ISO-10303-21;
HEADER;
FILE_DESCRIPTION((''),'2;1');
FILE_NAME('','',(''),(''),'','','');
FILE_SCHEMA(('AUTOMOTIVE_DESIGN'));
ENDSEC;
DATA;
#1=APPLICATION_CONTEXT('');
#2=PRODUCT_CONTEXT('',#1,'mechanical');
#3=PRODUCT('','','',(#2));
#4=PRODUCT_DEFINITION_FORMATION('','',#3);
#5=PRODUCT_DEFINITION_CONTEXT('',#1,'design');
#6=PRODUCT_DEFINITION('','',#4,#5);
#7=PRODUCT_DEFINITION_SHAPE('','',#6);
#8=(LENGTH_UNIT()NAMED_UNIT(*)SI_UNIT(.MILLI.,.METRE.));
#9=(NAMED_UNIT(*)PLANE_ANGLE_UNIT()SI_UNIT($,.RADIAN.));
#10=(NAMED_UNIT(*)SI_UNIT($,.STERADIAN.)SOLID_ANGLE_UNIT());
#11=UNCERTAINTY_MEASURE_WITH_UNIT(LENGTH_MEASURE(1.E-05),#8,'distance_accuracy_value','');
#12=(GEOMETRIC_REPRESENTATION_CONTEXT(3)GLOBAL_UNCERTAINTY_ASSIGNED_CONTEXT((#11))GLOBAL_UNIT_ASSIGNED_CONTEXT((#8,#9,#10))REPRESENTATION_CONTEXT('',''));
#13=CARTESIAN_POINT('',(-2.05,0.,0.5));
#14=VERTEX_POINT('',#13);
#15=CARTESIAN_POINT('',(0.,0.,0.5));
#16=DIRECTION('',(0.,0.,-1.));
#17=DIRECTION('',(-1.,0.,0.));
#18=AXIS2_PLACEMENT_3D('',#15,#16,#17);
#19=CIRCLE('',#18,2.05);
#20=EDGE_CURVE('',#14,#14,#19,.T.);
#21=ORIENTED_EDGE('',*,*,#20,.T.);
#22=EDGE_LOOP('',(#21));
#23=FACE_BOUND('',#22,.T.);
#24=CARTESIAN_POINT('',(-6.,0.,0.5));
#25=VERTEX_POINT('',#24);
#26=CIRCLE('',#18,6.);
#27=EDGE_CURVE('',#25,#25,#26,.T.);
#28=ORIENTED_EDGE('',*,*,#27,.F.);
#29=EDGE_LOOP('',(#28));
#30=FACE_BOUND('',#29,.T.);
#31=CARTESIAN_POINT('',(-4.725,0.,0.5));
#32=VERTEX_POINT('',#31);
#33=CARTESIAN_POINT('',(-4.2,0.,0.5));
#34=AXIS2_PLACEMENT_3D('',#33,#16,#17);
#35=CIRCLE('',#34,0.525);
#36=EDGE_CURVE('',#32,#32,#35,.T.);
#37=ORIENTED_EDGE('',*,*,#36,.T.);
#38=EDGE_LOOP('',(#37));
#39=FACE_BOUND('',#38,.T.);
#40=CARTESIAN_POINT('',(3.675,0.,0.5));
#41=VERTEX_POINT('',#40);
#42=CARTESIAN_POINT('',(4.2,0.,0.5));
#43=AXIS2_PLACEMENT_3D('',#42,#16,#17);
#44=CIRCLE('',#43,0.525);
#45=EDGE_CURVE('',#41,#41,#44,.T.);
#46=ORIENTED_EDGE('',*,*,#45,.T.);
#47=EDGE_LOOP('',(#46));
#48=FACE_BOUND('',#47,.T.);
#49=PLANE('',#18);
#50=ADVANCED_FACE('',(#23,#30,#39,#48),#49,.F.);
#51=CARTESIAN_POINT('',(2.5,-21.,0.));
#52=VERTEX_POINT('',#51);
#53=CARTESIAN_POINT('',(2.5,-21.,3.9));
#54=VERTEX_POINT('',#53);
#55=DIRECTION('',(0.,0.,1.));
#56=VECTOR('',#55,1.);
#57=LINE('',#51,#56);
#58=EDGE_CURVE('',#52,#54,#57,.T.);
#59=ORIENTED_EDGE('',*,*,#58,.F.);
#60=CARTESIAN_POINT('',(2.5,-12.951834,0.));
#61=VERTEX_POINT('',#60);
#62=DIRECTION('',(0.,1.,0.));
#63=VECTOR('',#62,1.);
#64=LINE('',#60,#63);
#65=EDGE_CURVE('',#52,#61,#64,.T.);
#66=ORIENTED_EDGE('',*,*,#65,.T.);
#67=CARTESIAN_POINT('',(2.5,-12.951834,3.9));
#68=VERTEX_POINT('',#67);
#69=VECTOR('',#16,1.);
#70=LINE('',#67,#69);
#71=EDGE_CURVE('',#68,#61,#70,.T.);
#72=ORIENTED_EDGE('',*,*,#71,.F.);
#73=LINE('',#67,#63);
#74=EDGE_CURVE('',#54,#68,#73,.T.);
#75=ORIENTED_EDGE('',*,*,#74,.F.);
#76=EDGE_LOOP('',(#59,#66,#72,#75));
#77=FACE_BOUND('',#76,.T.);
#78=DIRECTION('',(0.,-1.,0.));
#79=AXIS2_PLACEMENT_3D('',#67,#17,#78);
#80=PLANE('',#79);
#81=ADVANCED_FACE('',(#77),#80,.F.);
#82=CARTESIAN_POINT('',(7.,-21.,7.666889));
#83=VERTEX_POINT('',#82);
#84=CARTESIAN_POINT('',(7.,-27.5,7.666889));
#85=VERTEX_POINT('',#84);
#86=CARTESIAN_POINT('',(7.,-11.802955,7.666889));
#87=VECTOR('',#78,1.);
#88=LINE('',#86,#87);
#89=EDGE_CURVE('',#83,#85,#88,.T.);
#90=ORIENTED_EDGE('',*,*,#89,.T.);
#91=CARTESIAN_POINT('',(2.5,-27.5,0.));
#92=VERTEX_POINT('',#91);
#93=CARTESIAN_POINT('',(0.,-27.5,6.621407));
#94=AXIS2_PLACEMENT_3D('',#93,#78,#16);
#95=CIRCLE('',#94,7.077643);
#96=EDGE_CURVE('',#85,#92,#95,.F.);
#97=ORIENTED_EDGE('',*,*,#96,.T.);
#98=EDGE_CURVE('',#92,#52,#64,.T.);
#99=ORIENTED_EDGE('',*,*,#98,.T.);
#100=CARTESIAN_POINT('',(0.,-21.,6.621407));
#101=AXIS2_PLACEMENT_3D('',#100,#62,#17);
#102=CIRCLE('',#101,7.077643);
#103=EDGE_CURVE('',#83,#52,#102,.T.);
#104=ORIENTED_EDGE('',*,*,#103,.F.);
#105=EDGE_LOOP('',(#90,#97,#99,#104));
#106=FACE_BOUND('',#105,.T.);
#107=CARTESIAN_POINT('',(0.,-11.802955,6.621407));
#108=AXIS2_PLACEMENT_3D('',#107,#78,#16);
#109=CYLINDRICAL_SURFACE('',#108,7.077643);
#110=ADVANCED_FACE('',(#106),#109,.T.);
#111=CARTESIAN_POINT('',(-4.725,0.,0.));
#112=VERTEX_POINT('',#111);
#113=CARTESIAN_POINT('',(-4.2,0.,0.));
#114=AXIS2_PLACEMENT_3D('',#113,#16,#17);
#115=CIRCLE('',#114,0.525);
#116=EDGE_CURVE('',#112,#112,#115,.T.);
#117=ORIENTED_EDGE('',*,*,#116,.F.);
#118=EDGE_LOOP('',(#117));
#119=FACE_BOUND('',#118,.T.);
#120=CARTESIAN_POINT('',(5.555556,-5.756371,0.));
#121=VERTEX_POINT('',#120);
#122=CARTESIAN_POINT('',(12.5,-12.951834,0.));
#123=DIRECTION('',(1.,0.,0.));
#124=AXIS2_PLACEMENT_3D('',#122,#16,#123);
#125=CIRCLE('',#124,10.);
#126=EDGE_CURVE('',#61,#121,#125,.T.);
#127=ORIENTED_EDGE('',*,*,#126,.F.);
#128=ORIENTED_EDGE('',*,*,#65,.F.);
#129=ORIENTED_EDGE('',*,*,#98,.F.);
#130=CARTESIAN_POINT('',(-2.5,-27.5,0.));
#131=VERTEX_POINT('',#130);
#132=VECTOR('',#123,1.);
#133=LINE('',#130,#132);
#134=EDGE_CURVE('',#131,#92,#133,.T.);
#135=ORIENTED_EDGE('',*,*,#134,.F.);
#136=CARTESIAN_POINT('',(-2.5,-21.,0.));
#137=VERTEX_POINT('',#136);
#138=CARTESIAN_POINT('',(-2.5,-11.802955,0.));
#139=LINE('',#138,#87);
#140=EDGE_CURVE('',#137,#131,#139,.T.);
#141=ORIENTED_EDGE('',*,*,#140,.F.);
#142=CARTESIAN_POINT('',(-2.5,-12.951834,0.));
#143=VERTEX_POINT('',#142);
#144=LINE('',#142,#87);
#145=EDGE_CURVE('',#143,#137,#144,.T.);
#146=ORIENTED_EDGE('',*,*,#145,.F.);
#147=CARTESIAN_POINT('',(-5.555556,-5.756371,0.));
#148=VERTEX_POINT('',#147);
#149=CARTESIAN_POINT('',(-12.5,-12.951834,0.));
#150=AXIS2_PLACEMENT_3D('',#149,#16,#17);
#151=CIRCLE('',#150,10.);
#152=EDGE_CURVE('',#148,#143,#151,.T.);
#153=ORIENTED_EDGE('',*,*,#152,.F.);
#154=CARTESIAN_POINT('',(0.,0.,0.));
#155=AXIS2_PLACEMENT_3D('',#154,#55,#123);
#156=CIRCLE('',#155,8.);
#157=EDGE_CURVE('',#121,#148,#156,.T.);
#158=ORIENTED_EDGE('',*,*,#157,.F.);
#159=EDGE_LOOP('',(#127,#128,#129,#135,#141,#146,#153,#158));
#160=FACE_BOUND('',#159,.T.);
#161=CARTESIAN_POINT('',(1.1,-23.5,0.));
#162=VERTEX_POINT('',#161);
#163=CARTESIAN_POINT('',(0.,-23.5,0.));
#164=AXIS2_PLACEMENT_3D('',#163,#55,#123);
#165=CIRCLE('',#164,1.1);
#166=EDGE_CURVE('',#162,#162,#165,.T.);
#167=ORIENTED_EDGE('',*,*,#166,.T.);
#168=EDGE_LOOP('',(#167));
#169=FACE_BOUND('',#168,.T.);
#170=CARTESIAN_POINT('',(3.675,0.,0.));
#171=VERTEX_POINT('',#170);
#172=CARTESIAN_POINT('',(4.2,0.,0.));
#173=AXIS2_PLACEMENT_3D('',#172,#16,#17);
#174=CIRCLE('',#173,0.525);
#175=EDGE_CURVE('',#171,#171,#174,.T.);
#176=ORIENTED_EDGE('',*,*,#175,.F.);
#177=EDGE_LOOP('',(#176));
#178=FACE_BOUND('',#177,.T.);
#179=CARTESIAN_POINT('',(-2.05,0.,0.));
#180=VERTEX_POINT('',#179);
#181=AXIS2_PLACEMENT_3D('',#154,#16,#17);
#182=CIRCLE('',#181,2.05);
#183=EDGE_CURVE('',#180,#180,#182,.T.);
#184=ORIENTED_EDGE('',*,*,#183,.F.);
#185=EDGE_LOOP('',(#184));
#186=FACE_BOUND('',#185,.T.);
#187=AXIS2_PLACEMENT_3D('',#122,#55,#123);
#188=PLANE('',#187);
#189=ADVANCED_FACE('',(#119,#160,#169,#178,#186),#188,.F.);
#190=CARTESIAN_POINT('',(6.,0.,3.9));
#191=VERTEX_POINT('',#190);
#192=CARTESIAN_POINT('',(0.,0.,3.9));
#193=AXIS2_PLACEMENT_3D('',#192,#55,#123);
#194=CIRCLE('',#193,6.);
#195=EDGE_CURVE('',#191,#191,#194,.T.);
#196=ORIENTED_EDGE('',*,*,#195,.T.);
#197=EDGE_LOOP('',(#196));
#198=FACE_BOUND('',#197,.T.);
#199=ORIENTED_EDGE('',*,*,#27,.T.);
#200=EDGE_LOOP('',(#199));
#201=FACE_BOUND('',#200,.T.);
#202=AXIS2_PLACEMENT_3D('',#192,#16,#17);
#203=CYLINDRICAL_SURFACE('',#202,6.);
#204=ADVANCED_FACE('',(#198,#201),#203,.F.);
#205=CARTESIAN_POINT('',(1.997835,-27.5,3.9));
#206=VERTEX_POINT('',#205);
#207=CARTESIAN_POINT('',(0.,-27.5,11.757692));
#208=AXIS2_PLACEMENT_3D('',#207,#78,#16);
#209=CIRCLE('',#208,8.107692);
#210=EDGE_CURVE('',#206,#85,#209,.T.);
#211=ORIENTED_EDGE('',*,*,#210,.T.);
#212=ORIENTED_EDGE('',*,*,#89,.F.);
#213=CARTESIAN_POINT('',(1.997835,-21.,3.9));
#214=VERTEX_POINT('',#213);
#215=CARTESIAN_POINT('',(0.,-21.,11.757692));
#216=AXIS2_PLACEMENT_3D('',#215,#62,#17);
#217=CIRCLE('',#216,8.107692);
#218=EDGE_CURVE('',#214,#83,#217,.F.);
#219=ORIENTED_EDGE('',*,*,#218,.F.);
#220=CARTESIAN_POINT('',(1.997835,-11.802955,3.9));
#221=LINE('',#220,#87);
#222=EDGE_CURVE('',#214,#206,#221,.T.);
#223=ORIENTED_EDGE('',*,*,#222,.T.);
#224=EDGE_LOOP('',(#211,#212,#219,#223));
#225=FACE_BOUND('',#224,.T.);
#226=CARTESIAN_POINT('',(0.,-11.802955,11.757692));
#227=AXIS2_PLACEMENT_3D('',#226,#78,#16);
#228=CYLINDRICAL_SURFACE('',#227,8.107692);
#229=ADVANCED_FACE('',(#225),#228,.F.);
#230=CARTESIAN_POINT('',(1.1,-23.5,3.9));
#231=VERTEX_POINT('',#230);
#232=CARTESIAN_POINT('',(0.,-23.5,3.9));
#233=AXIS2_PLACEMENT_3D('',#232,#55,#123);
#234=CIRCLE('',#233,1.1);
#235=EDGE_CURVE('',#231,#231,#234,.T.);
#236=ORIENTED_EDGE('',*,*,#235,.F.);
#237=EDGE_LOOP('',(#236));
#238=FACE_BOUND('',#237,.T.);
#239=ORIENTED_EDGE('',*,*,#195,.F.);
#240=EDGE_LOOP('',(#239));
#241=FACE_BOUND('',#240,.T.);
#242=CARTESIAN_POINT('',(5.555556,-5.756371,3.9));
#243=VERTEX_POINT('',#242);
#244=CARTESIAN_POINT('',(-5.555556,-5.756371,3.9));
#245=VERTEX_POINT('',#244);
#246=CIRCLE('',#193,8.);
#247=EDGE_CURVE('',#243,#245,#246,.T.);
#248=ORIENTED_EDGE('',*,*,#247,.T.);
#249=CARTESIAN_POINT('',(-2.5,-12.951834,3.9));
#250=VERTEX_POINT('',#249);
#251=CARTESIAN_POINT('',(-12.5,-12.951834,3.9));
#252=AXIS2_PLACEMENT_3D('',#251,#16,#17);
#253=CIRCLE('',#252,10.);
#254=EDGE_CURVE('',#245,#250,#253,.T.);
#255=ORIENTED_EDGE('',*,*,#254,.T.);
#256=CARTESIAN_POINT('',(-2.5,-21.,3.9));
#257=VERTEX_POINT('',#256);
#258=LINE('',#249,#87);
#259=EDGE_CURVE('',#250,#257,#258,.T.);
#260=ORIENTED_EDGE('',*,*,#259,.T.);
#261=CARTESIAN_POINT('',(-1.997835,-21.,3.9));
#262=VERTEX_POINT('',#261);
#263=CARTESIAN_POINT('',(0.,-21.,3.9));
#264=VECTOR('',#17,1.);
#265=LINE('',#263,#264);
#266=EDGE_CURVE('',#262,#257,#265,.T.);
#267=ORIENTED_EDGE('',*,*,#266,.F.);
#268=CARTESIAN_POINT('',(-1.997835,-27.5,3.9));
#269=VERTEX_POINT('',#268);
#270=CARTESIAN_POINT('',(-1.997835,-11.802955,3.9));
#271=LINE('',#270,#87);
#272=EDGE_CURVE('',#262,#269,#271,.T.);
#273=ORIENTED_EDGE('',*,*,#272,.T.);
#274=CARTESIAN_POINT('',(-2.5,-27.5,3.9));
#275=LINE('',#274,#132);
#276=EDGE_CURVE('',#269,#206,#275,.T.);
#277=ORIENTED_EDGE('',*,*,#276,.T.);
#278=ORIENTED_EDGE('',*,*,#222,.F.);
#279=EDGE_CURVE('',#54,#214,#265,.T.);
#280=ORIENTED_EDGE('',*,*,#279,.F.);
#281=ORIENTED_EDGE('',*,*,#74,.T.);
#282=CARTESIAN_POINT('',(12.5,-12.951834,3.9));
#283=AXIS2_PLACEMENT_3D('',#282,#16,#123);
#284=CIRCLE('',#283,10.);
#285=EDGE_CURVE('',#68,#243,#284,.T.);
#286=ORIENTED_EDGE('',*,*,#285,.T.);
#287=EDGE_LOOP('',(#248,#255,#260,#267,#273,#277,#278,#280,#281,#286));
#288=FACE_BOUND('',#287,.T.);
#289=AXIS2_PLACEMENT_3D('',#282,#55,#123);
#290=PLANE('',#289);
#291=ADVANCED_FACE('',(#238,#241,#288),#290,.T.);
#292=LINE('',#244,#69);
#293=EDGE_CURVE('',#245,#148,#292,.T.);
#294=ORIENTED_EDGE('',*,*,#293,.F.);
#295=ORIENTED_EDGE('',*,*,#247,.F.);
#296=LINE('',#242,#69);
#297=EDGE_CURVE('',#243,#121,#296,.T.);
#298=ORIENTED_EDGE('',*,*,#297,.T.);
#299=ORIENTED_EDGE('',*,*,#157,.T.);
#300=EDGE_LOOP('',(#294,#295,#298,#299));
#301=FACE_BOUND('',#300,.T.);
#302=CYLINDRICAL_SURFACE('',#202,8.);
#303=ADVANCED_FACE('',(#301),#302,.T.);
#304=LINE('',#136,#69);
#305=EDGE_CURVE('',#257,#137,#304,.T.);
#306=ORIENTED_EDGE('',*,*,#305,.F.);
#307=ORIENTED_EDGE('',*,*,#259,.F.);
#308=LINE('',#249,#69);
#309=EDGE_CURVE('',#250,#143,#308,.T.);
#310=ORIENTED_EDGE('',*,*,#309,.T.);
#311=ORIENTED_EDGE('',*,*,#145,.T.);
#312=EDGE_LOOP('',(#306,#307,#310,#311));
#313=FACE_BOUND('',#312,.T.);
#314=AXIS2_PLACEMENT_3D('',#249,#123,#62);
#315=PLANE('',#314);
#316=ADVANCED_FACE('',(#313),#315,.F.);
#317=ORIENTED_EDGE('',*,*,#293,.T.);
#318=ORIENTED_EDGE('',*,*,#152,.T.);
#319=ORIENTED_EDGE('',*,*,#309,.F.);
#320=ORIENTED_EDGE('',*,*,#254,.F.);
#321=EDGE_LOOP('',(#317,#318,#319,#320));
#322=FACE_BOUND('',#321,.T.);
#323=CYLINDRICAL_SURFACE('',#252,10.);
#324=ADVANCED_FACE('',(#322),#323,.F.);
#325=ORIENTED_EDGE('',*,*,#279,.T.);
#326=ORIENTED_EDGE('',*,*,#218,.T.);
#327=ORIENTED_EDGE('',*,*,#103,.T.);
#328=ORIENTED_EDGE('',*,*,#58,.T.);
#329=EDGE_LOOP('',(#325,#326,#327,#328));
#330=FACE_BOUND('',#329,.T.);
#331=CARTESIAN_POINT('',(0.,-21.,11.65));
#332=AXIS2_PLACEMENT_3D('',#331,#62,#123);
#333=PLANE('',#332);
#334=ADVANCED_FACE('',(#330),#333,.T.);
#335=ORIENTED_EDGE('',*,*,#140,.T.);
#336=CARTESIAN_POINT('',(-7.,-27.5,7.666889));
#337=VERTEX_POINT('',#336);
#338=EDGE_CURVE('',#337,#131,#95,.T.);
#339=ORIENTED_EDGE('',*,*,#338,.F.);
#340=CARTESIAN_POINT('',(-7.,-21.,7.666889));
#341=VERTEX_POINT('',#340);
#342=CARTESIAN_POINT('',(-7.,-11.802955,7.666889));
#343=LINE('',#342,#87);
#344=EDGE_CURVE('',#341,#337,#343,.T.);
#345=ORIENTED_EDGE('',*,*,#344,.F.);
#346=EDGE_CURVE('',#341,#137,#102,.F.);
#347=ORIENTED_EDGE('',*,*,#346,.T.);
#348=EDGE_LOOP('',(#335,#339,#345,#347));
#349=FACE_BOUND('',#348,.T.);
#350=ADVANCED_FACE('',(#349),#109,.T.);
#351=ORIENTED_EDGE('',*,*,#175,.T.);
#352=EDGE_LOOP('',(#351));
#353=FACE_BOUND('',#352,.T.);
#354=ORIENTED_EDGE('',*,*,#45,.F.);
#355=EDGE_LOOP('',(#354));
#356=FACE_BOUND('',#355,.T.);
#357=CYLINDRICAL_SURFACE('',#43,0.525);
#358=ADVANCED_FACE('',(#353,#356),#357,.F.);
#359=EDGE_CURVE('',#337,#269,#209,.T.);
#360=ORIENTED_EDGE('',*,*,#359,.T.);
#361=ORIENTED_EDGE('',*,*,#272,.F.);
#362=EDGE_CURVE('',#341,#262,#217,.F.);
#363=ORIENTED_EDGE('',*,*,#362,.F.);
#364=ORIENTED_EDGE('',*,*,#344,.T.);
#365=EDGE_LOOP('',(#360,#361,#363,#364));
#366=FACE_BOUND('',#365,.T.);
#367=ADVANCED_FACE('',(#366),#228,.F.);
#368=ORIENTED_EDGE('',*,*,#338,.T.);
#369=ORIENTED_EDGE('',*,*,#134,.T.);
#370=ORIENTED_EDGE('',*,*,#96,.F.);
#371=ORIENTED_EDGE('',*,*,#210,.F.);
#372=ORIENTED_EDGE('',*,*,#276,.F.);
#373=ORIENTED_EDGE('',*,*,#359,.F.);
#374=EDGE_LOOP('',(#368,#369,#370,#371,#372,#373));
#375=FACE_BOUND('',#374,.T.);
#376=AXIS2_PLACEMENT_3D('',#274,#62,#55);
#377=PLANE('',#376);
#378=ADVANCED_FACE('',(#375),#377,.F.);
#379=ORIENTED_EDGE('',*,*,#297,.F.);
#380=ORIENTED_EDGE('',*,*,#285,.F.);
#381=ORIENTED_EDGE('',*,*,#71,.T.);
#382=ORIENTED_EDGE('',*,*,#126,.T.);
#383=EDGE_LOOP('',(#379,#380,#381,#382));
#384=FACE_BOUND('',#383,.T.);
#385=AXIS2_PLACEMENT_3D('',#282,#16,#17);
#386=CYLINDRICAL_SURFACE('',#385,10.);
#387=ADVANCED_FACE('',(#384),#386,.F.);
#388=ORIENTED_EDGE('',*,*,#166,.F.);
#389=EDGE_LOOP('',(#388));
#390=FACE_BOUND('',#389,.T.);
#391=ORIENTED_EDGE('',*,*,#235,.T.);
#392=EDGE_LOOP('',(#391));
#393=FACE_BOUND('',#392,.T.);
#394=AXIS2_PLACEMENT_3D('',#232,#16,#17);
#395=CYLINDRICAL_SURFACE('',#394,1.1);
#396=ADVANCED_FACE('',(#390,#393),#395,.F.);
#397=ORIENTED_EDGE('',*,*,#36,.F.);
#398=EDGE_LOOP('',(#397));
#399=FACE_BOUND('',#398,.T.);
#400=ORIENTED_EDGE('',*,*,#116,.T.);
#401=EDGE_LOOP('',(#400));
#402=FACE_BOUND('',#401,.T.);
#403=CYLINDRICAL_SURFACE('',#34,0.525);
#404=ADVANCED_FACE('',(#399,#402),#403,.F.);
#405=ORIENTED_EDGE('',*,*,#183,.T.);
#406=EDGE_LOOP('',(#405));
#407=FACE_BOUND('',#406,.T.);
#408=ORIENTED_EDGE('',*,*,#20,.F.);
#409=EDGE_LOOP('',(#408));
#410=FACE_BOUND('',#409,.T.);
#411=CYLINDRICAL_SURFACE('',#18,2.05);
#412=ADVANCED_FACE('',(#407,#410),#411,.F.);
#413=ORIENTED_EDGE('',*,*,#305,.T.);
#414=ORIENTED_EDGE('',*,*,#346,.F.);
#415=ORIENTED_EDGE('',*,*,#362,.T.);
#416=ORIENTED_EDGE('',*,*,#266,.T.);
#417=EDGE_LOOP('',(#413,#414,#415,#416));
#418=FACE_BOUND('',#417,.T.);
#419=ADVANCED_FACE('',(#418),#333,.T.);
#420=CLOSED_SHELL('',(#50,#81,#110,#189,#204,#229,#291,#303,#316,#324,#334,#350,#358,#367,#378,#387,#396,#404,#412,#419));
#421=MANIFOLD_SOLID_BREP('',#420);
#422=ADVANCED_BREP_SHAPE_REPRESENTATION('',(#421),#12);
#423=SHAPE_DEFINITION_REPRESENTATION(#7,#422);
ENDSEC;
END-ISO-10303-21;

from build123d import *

# Parameters (mm, degrees)
SKETCH1_R           = 6
SKETCH1_R_2         = 1.1
BOSS_EXTRUDE1_DEPTH = 3.9
SKETCH5_R           = 8
SKETCH5_R_2         = 2.05
SKETCH5_R_3         = 0.525
BOSS_EXTRUDE3_DEPTH = 0.5
BOSS_EXTRUDE4_DEPTH = 6.5


with BuildPart() as part:
    # Sketch1 → Boss-Extrude1 (new body)
    with BuildSketch(Plane.XY):
        with BuildLine():
            Line((-2.5, -27.5), (2.5, -27.5))
            Line((2.5, -27.5), (2.5, -12.951833847))
            ThreePointArc((2.5, -12.951833847), (3.295532486, -9.043154047), (5.555555556, -5.756370599))
            ThreePointArc((5.555555556, -5.756370599), (0, 8), (-5.555555556, -5.756370599))
            ThreePointArc((-5.555555556, -5.756370599), (-3.295532486, -9.043154047), (-2.5, -12.951833847))
            Line((-2.5, -12.951833847), (-2.5, -27.5))
        make_face()
        Circle(SKETCH1_R, mode=Mode.SUBTRACT)
        with Locations((0, -23.5)):
            Circle(SKETCH1_R_2, mode=Mode.SUBTRACT)
    extrude(amount=BOSS_EXTRUDE1_DEPTH)

    # Sketch5 → Boss-Extrude3 (add)
    with BuildSketch(Plane(origin=(0, 0, 0), x_dir=(-1, 0, 0), z_dir=(0, 0, -1))):
        Circle(SKETCH5_R)
        Circle(SKETCH5_R_2, mode=Mode.SUBTRACT)
        with Locations((4.2, 0)):
            Circle(SKETCH5_R_3, mode=Mode.SUBTRACT)
        with Locations((-4.2, 0)):
            Circle(SKETCH5_R_3, mode=Mode.SUBTRACT)
    extrude(amount=-BOSS_EXTRUDE3_DEPTH)

    # Sketch7 → Boss-Extrude4 (add)
    with BuildSketch(Plane.XZ.offset(27.5)):
        with BuildLine():
            ThreePointArc((7, 7.666888651), (4.877255668, 5.281037947), (1.997835367, 3.9))
            Line((1.997835367, 3.9), (2.5, 3.9))
            Line((2.5, 3.9), (2.5, 0))
            ThreePointArc((2.5, 0), (6.103916398, 3.038777275), (7, 7.666888651))
        make_face()
        with BuildLine():
            Line((-2.5, 3.9), (-1.997835367, 3.9))
            ThreePointArc((-1.997835367, 3.9), (-4.877255668, 5.281037947), (-7, 7.666888651))
            ThreePointArc((-7, 7.666888651), (-6.103916398, 3.038777275), (-2.5, 0))
            Line((-2.5, 0), (-2.5, 3.9))
        make_face()
    extrude(amount=-BOSS_EXTRUDE4_DEPTH)


solid = part.part
